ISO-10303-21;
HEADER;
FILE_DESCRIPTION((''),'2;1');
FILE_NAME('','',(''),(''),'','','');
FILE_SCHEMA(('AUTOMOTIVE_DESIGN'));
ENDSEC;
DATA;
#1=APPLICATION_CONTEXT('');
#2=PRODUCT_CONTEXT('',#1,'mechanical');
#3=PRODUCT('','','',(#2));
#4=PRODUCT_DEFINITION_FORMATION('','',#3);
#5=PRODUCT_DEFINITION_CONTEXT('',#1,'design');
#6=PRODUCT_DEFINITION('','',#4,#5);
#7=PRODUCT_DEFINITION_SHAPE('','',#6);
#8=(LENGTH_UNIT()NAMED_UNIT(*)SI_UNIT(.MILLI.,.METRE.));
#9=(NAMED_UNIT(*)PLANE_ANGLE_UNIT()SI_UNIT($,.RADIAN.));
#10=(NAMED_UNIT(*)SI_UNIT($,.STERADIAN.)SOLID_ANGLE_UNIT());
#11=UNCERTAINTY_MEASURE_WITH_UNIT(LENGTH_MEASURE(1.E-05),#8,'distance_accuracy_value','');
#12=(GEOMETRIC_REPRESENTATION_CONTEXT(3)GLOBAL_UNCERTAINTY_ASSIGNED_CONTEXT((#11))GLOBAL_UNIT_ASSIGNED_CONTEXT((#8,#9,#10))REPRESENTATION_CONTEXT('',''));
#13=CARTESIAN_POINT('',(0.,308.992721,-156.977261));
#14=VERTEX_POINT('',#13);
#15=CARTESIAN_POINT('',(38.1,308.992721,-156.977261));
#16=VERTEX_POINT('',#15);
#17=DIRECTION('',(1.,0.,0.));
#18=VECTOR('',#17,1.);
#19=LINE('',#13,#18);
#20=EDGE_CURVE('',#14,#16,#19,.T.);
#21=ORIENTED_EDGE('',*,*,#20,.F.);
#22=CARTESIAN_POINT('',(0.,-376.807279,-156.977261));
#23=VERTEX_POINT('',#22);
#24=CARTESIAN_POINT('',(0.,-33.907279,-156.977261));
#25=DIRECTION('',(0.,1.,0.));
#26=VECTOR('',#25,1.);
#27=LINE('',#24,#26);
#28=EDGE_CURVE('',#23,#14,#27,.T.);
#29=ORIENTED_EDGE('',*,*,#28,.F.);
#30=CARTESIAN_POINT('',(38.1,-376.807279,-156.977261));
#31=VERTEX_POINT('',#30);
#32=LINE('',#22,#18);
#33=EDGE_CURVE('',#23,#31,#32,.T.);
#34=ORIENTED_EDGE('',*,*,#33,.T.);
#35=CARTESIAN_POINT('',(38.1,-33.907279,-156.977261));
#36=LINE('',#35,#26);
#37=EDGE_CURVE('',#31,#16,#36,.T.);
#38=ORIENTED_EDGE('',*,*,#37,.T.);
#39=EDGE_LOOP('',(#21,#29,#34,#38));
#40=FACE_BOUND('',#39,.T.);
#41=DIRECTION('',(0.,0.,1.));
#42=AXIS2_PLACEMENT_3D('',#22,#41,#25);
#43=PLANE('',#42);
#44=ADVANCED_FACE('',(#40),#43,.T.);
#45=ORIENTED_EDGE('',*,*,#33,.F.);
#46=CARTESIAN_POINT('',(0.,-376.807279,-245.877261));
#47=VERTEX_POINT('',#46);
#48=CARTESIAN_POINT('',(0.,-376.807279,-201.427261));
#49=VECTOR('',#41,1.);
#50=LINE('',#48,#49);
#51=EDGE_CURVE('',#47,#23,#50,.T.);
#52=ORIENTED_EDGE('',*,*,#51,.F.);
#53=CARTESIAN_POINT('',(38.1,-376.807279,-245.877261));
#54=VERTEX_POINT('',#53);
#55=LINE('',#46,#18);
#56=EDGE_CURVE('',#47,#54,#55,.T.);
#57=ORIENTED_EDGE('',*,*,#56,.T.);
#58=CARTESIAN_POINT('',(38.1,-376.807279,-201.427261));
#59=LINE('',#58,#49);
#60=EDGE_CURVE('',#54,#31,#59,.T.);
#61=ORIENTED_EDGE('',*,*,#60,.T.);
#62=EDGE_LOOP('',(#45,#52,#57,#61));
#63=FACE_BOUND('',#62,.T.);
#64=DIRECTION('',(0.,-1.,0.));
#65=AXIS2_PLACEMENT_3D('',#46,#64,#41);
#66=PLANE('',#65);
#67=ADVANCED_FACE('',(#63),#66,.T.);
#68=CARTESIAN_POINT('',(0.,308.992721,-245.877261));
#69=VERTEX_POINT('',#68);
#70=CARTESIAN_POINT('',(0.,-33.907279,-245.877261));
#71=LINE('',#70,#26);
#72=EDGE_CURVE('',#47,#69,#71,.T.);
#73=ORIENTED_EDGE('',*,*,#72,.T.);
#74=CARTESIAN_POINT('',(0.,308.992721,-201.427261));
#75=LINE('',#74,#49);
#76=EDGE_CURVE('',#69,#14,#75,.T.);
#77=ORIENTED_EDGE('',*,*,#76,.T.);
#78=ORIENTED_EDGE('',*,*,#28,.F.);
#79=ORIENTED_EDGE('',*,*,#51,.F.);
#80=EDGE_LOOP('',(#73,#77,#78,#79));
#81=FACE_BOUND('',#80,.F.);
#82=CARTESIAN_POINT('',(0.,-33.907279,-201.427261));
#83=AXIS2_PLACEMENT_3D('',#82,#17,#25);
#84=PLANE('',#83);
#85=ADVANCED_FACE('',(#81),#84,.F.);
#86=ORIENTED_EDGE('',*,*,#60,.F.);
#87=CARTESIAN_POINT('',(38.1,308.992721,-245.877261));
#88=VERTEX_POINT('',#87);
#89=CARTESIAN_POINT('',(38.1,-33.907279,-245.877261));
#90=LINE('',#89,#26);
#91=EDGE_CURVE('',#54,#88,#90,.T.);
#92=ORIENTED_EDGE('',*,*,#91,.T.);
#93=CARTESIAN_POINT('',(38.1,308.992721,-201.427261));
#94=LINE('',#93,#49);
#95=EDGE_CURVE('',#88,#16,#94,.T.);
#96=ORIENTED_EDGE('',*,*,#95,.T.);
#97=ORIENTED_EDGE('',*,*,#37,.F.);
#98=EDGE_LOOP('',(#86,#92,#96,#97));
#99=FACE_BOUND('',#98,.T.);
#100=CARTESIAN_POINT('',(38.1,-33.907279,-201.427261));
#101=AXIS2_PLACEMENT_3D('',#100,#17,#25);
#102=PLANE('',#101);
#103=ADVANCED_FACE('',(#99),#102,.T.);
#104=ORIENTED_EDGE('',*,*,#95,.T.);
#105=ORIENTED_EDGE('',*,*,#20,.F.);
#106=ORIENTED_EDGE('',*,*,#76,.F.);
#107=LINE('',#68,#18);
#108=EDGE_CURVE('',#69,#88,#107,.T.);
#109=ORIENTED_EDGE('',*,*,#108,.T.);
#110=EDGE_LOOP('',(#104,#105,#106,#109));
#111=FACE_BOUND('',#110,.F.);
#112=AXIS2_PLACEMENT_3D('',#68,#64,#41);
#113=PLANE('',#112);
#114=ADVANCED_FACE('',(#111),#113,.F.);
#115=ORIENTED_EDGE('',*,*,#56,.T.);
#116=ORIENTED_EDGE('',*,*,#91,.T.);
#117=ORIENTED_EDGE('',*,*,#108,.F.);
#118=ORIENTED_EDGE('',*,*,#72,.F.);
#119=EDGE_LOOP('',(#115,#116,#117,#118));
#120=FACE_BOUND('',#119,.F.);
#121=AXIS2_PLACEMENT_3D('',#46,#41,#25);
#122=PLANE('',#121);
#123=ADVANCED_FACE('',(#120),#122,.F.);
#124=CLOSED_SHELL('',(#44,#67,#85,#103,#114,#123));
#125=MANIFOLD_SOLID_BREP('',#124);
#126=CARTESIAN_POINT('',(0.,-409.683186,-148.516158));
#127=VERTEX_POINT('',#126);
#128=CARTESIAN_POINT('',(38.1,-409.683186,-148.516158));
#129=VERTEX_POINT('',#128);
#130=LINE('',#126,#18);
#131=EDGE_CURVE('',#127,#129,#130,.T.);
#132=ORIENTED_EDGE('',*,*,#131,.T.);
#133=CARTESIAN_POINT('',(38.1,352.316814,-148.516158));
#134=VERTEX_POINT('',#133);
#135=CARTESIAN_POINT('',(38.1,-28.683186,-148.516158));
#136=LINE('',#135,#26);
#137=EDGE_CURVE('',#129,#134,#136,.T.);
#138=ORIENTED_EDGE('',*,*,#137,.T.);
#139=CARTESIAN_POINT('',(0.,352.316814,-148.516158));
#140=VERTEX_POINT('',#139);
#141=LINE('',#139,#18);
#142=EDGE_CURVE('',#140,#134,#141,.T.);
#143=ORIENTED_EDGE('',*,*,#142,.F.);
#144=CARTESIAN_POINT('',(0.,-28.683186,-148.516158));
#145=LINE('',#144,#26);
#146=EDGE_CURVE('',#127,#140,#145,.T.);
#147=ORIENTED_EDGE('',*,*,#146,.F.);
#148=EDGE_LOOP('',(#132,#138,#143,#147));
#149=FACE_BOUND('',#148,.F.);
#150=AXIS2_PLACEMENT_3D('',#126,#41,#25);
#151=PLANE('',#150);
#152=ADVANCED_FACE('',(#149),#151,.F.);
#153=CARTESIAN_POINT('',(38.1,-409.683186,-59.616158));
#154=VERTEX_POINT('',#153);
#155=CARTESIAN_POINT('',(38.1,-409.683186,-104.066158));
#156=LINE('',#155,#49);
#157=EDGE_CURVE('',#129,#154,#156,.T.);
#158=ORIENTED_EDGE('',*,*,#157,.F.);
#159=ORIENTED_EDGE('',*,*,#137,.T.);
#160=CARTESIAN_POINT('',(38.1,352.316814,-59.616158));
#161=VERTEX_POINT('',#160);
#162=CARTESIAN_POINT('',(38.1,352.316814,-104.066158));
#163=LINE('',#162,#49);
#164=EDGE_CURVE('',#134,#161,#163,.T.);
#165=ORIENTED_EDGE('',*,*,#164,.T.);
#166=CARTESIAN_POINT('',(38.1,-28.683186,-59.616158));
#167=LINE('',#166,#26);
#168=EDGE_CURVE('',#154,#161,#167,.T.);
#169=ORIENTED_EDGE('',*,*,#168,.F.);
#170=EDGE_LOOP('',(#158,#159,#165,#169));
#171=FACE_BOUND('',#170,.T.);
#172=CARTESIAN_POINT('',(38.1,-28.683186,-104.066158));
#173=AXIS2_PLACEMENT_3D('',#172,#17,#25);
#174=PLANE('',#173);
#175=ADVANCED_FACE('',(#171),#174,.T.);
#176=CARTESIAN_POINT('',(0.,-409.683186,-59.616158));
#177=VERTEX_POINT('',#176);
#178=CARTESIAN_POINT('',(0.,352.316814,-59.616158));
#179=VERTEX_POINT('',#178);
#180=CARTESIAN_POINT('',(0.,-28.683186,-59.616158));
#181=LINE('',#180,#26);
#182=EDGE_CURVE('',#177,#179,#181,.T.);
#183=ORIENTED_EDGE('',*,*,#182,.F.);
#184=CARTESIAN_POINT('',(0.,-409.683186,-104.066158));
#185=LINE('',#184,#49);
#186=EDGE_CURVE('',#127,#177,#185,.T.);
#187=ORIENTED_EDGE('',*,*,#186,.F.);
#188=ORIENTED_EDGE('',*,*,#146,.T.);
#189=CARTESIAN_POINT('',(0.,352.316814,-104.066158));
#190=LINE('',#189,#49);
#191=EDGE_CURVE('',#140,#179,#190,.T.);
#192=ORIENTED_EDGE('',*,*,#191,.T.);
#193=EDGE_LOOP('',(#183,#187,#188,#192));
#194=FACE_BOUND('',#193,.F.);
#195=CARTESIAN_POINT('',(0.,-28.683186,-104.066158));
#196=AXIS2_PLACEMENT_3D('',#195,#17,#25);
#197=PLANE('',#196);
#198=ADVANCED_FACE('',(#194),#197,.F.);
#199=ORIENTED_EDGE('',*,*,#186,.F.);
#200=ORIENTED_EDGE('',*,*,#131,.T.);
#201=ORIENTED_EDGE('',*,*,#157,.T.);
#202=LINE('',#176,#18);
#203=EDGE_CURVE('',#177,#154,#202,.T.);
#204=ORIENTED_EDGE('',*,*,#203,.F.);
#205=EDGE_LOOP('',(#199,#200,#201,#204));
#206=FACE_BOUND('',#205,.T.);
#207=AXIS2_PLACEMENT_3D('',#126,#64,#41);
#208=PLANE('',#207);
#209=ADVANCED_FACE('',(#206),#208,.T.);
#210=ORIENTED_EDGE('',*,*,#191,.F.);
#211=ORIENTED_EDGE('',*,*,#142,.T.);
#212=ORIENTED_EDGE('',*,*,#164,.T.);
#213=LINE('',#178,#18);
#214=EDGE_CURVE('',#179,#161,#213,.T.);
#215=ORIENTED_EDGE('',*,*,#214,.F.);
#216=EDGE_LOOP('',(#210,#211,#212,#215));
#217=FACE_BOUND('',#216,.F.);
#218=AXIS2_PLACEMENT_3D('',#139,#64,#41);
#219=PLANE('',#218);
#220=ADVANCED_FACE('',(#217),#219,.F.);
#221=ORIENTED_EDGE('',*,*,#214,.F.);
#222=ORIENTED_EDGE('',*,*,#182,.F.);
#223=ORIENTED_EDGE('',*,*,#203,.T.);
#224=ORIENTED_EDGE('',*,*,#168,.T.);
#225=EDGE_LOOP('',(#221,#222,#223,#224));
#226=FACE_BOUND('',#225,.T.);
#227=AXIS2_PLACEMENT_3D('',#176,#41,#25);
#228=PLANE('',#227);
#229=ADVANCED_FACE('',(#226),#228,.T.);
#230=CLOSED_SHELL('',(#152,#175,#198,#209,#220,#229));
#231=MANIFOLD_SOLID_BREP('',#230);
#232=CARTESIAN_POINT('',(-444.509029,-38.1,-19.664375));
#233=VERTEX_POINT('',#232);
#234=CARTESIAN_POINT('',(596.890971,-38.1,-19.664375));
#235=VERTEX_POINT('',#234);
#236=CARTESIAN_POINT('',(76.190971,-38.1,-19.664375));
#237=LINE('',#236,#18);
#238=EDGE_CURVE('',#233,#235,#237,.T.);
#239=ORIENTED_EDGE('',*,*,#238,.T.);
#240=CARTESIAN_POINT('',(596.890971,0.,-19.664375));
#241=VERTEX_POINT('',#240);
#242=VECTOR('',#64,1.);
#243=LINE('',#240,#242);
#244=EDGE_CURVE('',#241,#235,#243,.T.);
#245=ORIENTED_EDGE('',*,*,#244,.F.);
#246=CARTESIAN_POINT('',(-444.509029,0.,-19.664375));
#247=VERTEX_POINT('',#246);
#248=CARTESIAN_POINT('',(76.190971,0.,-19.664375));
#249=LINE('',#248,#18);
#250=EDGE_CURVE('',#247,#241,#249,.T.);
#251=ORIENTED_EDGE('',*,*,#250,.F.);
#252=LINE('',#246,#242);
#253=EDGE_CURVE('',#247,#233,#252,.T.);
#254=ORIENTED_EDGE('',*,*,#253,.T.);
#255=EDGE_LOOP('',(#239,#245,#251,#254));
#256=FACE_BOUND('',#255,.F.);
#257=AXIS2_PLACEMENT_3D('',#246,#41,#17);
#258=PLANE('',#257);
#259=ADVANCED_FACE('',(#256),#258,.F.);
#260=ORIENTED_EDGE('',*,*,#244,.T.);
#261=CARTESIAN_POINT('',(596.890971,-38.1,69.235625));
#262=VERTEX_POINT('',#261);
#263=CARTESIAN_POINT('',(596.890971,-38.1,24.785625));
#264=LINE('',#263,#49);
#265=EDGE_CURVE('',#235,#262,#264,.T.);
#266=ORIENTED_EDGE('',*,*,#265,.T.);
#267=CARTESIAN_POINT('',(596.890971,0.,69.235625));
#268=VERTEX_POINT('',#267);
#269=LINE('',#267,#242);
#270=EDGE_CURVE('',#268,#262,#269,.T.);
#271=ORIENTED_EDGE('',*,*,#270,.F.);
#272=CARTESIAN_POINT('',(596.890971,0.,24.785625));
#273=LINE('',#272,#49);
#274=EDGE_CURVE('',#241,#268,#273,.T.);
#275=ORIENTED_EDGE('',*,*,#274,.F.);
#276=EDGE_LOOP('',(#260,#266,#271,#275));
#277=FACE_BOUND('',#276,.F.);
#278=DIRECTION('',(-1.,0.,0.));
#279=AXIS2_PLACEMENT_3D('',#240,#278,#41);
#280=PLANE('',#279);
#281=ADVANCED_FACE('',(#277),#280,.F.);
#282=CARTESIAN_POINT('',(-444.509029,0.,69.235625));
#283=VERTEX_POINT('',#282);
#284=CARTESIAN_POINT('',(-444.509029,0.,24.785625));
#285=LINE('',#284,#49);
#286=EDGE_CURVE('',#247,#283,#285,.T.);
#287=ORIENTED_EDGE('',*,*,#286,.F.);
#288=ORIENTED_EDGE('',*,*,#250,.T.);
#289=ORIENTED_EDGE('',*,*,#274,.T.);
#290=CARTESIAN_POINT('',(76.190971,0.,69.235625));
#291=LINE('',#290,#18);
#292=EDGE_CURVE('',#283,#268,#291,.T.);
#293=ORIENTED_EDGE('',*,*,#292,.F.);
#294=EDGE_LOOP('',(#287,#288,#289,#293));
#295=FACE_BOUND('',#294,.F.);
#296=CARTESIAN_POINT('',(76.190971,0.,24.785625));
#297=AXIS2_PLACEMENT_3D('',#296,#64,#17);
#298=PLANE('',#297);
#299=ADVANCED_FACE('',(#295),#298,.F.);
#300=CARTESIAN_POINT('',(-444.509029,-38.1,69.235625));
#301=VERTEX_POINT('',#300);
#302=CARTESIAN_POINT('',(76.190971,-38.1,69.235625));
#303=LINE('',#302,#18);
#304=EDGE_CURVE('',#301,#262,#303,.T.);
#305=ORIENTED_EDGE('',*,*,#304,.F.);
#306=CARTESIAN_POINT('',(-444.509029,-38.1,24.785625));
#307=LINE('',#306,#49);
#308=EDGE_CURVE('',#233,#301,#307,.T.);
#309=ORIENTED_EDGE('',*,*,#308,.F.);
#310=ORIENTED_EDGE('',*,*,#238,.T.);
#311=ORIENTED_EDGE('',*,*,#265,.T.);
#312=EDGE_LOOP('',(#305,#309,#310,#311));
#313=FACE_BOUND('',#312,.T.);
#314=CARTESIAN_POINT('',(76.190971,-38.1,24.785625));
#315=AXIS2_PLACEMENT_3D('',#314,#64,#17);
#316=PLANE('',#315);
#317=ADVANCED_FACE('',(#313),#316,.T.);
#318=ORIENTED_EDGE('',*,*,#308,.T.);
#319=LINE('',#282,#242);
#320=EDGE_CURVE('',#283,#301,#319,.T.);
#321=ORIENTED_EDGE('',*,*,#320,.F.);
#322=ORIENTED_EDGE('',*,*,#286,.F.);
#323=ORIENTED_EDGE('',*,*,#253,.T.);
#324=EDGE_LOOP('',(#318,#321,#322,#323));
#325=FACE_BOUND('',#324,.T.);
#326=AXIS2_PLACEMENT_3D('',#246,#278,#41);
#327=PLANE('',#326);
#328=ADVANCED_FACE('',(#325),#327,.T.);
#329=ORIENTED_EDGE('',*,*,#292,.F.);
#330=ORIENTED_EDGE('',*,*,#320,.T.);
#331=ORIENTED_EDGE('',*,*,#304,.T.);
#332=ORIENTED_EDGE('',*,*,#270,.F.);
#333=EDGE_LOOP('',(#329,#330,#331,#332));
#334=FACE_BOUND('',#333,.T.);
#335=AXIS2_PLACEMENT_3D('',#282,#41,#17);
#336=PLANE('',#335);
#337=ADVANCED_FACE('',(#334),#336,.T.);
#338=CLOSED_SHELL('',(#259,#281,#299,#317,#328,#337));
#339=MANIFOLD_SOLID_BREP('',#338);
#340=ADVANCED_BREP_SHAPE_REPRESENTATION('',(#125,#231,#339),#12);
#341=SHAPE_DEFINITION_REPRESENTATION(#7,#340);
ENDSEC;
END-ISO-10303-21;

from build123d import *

# Parameters (mm, degrees)
F0_W     = 1041.4
F0_H     = 88.9
F1_DEPTH = 38.1
F2_W     = 762
F2_H     = 88.9
F3_DEPTH = 38.1
F4_W     = 685.8
F4_H     = 88.9
F5_DEPTH = 38.1


with BuildPart() as f1:
    # F0 (on Front) → F1 (new body)
    with BuildSketch(Plane.XZ):
        with Locations((76.190971, 24.785625)):
            Rectangle(F0_W, F0_H)
    extrude(amount=F1_DEPTH)


with BuildPart() as f3:
    # F2 (on Right) → F3 (new body)
    with BuildSketch(Plane.YZ):
        with Locations((-28.683186, -104.066158)):
            Rectangle(F2_W, F2_H)
    extrude(amount=F3_DEPTH)


with BuildPart() as f5:
    # F4 (on Right) → F5 (new body)
    with BuildSketch(Plane.YZ):
        with Locations((-33.907279, -201.427261)):
            Rectangle(F4_W, F4_H)
    extrude(amount=F5_DEPTH)


solid = Compound([f1.part, f3.part, f5.part])
